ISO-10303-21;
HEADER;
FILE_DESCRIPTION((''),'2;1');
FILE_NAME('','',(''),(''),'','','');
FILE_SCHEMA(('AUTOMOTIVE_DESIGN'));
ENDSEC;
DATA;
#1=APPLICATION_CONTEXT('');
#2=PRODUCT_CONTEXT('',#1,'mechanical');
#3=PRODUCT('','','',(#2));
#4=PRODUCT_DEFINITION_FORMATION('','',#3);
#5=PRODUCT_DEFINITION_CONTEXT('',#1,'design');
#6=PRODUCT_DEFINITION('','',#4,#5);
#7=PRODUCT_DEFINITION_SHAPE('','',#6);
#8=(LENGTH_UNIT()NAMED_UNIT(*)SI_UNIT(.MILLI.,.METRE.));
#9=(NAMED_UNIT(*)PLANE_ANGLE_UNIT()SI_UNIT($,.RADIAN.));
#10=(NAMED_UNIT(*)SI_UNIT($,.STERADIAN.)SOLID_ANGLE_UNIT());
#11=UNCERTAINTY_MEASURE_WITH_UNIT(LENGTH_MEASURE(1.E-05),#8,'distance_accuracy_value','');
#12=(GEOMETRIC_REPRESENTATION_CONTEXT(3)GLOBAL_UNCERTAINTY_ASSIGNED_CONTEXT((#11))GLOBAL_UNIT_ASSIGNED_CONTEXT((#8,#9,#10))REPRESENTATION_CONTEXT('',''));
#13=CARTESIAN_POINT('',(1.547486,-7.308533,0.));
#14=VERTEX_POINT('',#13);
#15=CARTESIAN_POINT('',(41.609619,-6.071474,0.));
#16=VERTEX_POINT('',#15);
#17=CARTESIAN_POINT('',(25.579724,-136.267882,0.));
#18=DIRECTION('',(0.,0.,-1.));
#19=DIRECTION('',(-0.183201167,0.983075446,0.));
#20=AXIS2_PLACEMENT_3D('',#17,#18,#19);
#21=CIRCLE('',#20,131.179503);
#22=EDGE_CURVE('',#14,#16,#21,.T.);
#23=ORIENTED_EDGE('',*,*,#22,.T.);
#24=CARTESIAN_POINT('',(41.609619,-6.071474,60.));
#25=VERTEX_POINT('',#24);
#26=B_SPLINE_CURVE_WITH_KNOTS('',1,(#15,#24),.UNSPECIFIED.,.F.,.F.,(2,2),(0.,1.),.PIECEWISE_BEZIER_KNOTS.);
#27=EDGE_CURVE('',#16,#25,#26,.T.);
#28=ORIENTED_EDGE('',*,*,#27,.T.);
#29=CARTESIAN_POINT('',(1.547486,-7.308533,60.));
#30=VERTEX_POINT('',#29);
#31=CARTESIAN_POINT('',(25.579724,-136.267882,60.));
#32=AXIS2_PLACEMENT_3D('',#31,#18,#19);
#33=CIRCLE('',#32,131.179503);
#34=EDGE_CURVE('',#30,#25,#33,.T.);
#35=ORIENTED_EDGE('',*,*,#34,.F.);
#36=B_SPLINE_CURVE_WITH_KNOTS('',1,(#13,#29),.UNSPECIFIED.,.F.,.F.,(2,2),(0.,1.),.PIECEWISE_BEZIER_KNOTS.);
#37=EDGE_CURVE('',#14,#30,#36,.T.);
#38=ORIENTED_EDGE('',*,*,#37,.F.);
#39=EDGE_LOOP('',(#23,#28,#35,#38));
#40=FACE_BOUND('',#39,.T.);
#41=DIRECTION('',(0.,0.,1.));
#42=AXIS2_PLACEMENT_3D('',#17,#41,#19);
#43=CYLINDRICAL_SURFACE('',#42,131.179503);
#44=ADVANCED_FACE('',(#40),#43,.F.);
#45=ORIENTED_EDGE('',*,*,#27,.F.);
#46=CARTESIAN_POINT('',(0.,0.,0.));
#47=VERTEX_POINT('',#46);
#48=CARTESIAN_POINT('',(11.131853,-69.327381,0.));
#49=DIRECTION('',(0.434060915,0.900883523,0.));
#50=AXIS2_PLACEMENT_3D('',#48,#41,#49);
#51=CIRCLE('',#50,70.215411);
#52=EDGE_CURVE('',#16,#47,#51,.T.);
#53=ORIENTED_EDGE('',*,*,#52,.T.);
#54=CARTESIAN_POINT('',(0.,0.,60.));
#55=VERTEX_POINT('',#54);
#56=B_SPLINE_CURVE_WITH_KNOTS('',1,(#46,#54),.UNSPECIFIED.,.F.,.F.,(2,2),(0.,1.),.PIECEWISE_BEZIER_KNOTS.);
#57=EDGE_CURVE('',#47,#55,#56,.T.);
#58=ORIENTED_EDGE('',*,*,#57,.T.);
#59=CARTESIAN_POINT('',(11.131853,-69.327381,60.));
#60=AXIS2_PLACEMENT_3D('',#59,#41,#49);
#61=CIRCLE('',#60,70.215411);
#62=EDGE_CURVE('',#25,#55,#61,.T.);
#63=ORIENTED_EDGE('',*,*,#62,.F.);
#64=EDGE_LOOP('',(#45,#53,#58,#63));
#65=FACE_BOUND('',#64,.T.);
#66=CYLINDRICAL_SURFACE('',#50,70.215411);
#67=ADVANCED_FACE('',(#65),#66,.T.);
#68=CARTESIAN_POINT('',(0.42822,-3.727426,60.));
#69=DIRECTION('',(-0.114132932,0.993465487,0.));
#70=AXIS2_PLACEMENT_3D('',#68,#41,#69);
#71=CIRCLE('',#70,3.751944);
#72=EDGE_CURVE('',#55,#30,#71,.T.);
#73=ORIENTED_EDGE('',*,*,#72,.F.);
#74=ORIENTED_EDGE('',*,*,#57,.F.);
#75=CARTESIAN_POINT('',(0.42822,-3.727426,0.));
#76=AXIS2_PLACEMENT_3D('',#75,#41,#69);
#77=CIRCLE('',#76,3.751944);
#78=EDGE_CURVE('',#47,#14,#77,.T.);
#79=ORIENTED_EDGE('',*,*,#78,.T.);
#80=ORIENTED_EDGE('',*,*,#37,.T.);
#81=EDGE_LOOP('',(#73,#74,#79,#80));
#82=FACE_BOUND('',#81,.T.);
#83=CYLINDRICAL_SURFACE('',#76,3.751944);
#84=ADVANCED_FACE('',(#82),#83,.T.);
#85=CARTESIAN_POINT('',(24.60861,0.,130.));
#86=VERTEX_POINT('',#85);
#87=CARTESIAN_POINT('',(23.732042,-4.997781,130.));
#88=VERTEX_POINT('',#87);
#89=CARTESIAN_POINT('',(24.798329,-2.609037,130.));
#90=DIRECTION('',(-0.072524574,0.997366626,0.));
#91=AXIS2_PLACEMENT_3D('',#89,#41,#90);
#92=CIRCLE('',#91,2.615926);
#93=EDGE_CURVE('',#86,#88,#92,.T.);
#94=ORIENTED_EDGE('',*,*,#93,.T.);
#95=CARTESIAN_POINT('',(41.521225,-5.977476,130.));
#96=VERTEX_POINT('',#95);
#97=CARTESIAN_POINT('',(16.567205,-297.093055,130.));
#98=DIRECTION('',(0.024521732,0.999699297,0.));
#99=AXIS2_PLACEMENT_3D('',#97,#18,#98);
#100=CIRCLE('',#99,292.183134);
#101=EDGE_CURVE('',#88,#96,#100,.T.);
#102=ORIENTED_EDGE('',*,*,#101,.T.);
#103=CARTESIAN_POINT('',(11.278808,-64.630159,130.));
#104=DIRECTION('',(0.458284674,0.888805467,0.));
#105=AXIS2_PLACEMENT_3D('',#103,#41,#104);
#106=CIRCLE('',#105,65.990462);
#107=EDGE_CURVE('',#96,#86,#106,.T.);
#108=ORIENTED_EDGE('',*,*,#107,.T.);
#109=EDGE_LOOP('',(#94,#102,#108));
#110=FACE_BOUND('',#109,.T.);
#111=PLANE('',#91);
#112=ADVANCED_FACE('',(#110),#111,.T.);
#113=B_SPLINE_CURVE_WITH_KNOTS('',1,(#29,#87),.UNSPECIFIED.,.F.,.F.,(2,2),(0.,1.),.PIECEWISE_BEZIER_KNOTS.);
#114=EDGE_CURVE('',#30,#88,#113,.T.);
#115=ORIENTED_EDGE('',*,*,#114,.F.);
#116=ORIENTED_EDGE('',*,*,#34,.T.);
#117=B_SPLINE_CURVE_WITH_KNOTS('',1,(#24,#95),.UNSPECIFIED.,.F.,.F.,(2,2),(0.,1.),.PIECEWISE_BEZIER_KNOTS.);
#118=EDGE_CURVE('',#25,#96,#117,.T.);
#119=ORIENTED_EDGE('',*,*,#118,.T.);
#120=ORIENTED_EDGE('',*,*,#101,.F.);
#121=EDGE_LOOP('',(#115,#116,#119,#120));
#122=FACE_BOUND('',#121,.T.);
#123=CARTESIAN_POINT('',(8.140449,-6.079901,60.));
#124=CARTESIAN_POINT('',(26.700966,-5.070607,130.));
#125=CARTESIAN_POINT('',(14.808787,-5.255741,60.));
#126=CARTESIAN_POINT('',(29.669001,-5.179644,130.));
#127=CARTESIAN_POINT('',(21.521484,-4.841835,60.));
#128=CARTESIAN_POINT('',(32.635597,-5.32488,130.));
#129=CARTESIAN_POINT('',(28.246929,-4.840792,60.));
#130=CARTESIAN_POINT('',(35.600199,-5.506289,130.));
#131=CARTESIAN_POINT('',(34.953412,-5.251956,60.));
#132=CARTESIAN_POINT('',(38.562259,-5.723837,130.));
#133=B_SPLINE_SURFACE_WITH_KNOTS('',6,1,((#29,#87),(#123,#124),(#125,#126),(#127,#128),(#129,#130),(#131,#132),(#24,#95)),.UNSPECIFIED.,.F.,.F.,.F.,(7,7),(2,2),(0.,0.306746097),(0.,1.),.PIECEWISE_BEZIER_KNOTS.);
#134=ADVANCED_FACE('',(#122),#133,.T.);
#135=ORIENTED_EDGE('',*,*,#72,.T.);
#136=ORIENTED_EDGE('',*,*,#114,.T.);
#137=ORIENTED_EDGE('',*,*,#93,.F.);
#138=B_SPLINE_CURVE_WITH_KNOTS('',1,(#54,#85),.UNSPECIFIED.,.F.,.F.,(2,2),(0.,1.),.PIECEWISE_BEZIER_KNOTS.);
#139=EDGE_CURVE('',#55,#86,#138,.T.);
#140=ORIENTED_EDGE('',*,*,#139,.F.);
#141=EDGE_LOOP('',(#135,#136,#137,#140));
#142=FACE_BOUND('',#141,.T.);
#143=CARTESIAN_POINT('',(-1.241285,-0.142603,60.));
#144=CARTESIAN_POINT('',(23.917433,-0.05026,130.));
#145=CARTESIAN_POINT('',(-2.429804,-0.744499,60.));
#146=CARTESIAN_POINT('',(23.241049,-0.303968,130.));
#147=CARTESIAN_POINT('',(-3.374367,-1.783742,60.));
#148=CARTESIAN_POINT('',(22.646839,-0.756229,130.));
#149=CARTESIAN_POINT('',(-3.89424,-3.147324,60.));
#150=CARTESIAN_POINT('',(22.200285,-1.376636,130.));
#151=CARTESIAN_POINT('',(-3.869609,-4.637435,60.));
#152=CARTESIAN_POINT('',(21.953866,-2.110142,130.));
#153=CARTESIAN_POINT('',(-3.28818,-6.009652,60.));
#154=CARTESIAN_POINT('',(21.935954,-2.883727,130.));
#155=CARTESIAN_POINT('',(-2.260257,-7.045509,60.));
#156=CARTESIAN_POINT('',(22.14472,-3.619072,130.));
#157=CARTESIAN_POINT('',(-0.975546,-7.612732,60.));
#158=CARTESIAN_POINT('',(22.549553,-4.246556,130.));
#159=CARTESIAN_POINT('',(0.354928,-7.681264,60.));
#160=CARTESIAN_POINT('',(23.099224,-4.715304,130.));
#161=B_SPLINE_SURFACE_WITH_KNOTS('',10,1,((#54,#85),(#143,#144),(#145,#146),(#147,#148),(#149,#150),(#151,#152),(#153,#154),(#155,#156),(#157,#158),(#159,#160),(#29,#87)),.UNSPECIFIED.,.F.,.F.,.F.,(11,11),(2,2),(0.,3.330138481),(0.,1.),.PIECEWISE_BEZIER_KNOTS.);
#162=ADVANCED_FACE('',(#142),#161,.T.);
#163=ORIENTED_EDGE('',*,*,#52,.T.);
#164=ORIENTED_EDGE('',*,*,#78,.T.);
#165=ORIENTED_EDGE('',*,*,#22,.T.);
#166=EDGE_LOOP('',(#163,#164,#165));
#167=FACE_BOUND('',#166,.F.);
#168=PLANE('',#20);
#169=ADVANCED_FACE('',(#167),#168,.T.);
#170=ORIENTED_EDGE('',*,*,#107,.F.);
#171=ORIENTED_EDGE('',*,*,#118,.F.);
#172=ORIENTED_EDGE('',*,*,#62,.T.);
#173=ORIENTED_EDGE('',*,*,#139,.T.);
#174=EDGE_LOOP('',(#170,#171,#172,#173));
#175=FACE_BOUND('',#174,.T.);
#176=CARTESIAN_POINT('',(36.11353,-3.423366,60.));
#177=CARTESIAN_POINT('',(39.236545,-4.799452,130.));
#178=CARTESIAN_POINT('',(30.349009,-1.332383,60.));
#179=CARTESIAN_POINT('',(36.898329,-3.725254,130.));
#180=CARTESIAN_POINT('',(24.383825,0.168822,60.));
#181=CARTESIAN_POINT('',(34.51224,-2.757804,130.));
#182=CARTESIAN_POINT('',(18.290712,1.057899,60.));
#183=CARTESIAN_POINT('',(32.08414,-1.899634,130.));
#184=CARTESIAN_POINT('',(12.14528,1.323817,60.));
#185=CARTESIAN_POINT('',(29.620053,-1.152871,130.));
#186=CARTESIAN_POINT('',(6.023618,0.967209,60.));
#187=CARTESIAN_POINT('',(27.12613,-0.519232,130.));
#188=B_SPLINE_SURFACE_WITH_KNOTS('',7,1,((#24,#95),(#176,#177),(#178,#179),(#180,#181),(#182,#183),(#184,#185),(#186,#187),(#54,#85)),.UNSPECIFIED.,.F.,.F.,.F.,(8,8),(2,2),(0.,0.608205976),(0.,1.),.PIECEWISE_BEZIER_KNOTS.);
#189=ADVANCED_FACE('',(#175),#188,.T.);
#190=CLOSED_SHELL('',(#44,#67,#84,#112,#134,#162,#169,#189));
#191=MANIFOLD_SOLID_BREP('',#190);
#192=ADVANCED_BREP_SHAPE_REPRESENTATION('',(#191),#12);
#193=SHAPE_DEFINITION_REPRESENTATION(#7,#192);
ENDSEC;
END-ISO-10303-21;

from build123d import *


with BuildPart() as f4:
    # F0 (on Top) → F4 section 0
    with BuildSketch(Plane.XY):
        with BuildLine():
            ThreePointArc((1.5474857793, -7.3085332362), (21.5310263119, -5.1508726081), (41.6096189935, -6.0714743331))
            ThreePointArc((41.6096189935, -6.0714743331), (21.2699883307, 0.1522717061), (0, 0))
            ThreePointArc((0, 0), (-3.2423450763, -4.5046204189), (1.5474857793, -7.3085332362))
        make_face()
    # F2 (on offset) → F4 section 1
    with BuildSketch(Plane.XY.offset(60)):
        with BuildLine():
            ThreePointArc((41.6096189935, -6.0714743331), (21.2699883307, 0.1522717061), (0, 0))
            ThreePointArc((0, 0), (-3.2423450763, -4.5046204189), (1.5474857793, -7.3085332362))
            ThreePointArc((1.5474857793, -7.3085332362), (21.5310263119, -5.1508726081), (41.6096189935, -6.0714743331))
        make_face()
    loft()

    # F4_face (on face) → F6 section 0
    with BuildSketch(Plane(origin=(14.0442099137, -3.0045587038, 60), x_dir=(1, 0, 0), z_dir=(0, 0, 1))):
        with BuildLine():
            ThreePointArc((-14.0442099137, 3.0045587038), (-17.28655499, -1.5000617151), (-12.4967241344, -4.3039745324))
            ThreePointArc((-12.4967241344, -4.3039745324), (7.4868163983, -2.1463139043), (27.5654090798, -3.0669156292))
            ThreePointArc((27.5654090798, -3.0669156292), (7.225778417, 3.1568304099), (-14.0442099137, 3.0045587038))
        make_face()
    # F5 (on offset) → F6 section 1
    with BuildSketch(Plane.XY.offset(130)):
        with BuildLine():
            ThreePointArc((23.7320419401, -4.9977814779), (32.6341024887, -5.3520079811), (41.5212251246, -5.97747555))
            ThreePointArc((41.5212251246, -5.97747555), (33.2689677889, -2.4114002007), (24.6086101979, 0))
            ThreePointArc((24.6086101979, 0), (22.2217339207, -2.1571242907), (23.7320419401, -4.9977814779))
        make_face()
    loft()


solid = f4.part
